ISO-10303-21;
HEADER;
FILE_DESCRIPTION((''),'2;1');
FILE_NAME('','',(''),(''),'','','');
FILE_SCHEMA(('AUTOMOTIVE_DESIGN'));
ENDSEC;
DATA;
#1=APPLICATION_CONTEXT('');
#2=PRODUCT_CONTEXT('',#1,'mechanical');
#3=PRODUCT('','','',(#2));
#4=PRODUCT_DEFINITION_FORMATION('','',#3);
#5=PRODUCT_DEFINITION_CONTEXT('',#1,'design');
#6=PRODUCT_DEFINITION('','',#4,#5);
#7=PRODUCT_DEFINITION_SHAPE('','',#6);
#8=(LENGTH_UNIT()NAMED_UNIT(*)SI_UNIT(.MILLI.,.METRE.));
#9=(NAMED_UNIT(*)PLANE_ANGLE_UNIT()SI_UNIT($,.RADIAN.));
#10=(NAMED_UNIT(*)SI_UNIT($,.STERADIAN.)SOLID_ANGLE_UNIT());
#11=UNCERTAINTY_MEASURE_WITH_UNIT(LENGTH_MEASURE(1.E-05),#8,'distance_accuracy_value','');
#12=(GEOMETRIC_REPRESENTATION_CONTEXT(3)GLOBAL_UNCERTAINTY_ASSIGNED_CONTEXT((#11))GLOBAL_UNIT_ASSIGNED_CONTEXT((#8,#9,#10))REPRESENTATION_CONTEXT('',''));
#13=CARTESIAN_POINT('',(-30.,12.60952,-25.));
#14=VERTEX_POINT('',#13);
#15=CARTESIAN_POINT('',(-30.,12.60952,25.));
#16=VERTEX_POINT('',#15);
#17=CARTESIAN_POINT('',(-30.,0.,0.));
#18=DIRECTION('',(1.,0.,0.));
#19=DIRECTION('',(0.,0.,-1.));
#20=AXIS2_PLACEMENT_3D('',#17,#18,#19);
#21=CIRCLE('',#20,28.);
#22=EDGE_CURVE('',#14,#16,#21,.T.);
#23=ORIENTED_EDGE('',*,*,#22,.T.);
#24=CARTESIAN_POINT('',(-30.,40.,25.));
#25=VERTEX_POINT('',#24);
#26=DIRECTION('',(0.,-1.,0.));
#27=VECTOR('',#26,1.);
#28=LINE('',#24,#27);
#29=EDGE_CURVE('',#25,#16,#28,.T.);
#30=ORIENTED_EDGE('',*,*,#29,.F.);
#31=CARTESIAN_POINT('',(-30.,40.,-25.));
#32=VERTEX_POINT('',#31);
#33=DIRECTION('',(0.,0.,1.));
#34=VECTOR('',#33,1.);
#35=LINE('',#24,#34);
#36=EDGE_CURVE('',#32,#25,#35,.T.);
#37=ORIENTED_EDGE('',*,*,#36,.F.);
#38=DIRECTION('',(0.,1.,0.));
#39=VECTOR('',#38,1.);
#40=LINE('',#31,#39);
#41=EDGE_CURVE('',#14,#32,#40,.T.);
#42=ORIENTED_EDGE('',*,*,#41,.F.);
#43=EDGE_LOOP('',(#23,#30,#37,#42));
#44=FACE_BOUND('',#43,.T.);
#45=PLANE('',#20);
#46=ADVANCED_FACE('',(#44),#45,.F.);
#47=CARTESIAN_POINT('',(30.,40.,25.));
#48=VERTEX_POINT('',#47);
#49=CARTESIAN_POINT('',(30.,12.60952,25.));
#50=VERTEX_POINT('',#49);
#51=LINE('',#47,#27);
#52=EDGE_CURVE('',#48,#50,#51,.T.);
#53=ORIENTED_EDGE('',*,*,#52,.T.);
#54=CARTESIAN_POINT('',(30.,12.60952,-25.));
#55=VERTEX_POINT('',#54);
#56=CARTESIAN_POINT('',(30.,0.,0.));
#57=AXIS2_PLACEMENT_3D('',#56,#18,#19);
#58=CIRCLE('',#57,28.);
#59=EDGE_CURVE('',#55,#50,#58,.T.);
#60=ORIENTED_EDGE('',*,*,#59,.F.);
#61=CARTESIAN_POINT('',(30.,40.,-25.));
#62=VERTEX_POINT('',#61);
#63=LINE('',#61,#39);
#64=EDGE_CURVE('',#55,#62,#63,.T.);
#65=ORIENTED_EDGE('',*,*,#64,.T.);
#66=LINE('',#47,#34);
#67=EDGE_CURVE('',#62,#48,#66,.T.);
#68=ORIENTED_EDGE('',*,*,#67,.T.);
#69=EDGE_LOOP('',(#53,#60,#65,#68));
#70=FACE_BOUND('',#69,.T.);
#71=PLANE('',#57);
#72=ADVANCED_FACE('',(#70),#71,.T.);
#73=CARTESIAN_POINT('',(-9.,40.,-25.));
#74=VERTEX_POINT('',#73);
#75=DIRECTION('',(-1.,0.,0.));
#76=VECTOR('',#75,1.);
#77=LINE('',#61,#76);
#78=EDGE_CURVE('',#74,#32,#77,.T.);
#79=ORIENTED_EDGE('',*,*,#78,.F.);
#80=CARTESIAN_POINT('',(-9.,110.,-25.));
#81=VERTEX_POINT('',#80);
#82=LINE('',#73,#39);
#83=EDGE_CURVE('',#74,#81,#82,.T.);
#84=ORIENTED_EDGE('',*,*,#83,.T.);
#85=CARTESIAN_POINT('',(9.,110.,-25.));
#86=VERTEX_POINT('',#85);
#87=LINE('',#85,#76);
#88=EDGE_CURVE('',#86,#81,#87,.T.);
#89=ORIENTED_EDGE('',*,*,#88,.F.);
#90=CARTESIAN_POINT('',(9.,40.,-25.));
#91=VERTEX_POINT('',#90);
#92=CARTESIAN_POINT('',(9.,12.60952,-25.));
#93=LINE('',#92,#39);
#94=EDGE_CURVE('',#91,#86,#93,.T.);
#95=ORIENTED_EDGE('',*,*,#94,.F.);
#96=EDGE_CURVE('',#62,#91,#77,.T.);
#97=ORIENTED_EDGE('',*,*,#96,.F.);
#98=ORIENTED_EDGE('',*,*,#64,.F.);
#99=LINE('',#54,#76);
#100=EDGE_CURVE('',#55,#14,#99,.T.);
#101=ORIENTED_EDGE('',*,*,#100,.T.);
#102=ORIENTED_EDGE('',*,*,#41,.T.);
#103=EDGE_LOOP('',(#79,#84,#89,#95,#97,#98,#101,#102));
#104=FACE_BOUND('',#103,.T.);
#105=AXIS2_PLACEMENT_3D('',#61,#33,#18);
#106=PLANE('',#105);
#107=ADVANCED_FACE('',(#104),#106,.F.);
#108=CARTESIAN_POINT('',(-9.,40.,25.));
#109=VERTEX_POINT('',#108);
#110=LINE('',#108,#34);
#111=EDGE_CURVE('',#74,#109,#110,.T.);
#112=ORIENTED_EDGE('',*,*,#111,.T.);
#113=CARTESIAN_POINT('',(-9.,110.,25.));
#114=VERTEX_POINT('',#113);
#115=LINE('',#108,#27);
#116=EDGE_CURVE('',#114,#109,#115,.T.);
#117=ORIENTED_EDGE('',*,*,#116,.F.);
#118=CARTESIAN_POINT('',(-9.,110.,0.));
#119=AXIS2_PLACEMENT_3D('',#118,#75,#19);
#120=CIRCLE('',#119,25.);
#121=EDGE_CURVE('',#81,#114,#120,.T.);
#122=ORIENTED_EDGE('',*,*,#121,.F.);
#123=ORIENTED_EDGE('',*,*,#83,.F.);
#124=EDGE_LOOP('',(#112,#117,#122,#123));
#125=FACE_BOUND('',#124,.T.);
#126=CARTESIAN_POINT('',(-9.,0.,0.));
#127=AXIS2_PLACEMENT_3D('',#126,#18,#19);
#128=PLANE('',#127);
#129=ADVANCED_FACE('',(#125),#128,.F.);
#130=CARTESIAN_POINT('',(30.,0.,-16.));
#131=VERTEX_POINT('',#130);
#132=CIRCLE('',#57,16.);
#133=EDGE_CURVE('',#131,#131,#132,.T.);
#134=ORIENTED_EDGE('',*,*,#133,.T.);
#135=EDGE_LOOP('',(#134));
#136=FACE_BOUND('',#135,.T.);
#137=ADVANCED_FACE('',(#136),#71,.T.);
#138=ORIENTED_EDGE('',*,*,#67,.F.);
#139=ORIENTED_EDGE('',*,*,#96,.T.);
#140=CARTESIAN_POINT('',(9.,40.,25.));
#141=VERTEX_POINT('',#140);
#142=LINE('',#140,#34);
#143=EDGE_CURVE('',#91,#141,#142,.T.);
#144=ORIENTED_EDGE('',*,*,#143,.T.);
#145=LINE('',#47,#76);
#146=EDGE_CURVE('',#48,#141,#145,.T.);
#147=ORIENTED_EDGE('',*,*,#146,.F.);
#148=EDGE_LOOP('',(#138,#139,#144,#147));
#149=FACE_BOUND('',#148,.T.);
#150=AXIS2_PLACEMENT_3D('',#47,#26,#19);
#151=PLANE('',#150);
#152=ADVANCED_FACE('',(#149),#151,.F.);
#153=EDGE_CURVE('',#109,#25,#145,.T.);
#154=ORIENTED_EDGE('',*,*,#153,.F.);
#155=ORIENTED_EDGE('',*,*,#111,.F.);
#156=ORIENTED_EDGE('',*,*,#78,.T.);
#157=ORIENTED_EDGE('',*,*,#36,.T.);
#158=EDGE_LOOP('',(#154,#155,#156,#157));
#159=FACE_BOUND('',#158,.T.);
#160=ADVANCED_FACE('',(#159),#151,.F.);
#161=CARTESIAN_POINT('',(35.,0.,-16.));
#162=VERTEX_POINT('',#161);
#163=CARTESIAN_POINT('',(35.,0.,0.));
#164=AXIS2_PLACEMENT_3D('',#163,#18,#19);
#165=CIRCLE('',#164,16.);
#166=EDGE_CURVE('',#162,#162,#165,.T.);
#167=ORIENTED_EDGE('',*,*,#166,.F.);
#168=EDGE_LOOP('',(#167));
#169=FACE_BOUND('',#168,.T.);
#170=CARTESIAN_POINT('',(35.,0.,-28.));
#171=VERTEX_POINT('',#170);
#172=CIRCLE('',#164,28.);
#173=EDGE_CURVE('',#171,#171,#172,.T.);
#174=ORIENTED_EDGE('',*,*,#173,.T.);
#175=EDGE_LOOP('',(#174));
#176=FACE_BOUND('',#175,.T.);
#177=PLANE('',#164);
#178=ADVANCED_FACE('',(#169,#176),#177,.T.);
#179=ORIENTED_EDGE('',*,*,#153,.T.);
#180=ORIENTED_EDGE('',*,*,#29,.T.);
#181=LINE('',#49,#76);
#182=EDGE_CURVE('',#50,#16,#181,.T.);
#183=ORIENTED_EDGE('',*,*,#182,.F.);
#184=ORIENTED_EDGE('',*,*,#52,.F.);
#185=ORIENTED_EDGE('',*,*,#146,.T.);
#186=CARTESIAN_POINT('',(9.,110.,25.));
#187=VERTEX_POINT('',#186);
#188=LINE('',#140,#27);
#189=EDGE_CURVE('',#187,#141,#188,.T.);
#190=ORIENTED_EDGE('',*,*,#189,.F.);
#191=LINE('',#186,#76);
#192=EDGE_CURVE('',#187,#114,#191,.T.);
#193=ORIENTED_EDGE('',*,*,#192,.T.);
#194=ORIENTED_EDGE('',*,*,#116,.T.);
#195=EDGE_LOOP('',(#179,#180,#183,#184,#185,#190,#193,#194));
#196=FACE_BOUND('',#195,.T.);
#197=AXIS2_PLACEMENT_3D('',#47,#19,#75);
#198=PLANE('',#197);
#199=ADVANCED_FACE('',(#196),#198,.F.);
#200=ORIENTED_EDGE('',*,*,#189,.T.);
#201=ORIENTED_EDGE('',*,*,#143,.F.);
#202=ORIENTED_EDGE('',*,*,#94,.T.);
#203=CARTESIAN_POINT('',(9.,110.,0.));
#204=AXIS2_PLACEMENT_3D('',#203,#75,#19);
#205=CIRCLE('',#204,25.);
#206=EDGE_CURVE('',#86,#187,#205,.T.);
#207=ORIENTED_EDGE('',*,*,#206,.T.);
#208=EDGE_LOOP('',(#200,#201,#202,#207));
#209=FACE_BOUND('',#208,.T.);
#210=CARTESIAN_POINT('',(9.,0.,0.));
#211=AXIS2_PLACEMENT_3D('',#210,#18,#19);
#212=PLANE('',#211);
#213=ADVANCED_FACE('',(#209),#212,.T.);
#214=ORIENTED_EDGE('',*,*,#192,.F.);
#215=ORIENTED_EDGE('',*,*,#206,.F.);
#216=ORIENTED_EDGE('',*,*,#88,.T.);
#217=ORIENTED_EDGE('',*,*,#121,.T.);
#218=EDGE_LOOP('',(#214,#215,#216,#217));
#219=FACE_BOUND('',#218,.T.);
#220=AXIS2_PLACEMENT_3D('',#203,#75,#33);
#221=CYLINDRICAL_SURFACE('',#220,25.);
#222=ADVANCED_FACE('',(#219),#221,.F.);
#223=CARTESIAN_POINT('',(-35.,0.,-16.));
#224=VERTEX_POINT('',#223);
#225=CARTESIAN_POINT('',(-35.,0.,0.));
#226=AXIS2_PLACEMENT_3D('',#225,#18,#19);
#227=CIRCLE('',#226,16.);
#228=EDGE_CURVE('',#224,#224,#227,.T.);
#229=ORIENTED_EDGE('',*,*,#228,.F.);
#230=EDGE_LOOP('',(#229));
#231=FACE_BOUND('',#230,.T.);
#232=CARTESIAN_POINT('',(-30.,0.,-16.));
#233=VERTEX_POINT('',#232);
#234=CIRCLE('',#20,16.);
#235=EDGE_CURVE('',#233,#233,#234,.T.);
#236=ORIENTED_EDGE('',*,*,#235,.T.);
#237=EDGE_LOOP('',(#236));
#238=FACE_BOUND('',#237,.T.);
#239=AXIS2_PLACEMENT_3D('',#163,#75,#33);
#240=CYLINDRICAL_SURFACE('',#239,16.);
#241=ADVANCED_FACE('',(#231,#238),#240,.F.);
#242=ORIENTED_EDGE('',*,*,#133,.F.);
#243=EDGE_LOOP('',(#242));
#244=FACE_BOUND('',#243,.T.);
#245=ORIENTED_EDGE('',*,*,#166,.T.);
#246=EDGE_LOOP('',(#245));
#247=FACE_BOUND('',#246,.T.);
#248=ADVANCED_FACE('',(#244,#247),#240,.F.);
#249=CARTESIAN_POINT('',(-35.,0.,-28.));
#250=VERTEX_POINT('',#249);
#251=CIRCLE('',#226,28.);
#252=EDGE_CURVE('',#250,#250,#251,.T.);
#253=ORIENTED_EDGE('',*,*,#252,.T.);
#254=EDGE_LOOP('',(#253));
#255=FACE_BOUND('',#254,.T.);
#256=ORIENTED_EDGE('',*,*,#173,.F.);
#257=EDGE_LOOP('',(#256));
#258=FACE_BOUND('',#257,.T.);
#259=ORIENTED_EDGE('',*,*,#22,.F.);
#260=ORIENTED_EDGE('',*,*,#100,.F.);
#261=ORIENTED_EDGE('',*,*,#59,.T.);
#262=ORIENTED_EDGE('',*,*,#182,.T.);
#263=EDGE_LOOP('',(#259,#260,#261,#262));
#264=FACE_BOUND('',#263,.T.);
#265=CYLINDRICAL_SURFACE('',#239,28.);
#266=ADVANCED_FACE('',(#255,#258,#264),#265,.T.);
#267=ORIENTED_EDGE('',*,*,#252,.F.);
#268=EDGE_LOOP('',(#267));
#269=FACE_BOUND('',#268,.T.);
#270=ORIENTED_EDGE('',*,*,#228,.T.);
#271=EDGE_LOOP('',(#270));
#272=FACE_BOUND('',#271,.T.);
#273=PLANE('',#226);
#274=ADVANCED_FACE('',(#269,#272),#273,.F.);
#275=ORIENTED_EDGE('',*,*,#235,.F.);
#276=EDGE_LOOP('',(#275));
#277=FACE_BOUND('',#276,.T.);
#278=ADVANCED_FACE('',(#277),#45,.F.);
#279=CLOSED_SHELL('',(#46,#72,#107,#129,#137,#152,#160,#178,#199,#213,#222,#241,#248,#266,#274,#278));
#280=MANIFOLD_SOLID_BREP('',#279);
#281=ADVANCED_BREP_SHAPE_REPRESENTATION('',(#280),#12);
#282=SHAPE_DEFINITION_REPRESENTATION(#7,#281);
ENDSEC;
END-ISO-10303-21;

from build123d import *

# Parameters (mm, degrees)
SKETCH1_R           = 28
SKETCH1_R_2         = 16
BOSS_EXTRUDE1_DEPTH = 35
BOSS_EXTRUDE2_DEPTH = 30
BOSS_EXTRUDE3_DEPTH = 9


with BuildPart() as part:
    # Sketch1 → Boss-Extrude1 (new, symmetric)
    with BuildSketch(Plane(origin=(0, 0, 0), x_dir=(0, 0, -1), z_dir=(1, 0, 0))):
        Circle(SKETCH1_R)
        Circle(SKETCH1_R_2, mode=Mode.SUBTRACT)
    extrude(amount=BOSS_EXTRUDE1_DEPTH, both=True)

    # Sketch2 → Boss-Extrude2 (add, symmetric)
    with BuildSketch(Plane(origin=(0, 0, 0), x_dir=(0, 0, -1), z_dir=(1, 0, 0))):
        with BuildLine():
            Line((-25, 40), (25, 40))
            Line((25, 40), (25, 12.609520213))
            ThreePointArc((25, 12.609520213), (0, -28), (-25, 12.609520213))
            Line((-25, 12.609520213), (-25, 40))
        make_face()
    extrude(amount=BOSS_EXTRUDE2_DEPTH, both=True)

    # Sketch3 → Boss-Extrude3 (add, symmetric)
    with BuildSketch(Plane(origin=(0, 0, 0), x_dir=(0, 0, -1), z_dir=(1, 0, 0))):
        with BuildLine():
            Line((-25, 40), (-25, 110))
            ThreePointArc((-25, 110), (0, 85), (25, 110))
            Line((25, 110), (25, 40))
            Line((25, 40), (25, 12.609520213))
            ThreePointArc((25, 12.609520213), (0, 28), (-25, 12.609520213))
            Line((-25, 12.609520213), (-25, 40))
        make_face()
    extrude(amount=BOSS_EXTRUDE3_DEPTH, both=True)


solid = part.part
